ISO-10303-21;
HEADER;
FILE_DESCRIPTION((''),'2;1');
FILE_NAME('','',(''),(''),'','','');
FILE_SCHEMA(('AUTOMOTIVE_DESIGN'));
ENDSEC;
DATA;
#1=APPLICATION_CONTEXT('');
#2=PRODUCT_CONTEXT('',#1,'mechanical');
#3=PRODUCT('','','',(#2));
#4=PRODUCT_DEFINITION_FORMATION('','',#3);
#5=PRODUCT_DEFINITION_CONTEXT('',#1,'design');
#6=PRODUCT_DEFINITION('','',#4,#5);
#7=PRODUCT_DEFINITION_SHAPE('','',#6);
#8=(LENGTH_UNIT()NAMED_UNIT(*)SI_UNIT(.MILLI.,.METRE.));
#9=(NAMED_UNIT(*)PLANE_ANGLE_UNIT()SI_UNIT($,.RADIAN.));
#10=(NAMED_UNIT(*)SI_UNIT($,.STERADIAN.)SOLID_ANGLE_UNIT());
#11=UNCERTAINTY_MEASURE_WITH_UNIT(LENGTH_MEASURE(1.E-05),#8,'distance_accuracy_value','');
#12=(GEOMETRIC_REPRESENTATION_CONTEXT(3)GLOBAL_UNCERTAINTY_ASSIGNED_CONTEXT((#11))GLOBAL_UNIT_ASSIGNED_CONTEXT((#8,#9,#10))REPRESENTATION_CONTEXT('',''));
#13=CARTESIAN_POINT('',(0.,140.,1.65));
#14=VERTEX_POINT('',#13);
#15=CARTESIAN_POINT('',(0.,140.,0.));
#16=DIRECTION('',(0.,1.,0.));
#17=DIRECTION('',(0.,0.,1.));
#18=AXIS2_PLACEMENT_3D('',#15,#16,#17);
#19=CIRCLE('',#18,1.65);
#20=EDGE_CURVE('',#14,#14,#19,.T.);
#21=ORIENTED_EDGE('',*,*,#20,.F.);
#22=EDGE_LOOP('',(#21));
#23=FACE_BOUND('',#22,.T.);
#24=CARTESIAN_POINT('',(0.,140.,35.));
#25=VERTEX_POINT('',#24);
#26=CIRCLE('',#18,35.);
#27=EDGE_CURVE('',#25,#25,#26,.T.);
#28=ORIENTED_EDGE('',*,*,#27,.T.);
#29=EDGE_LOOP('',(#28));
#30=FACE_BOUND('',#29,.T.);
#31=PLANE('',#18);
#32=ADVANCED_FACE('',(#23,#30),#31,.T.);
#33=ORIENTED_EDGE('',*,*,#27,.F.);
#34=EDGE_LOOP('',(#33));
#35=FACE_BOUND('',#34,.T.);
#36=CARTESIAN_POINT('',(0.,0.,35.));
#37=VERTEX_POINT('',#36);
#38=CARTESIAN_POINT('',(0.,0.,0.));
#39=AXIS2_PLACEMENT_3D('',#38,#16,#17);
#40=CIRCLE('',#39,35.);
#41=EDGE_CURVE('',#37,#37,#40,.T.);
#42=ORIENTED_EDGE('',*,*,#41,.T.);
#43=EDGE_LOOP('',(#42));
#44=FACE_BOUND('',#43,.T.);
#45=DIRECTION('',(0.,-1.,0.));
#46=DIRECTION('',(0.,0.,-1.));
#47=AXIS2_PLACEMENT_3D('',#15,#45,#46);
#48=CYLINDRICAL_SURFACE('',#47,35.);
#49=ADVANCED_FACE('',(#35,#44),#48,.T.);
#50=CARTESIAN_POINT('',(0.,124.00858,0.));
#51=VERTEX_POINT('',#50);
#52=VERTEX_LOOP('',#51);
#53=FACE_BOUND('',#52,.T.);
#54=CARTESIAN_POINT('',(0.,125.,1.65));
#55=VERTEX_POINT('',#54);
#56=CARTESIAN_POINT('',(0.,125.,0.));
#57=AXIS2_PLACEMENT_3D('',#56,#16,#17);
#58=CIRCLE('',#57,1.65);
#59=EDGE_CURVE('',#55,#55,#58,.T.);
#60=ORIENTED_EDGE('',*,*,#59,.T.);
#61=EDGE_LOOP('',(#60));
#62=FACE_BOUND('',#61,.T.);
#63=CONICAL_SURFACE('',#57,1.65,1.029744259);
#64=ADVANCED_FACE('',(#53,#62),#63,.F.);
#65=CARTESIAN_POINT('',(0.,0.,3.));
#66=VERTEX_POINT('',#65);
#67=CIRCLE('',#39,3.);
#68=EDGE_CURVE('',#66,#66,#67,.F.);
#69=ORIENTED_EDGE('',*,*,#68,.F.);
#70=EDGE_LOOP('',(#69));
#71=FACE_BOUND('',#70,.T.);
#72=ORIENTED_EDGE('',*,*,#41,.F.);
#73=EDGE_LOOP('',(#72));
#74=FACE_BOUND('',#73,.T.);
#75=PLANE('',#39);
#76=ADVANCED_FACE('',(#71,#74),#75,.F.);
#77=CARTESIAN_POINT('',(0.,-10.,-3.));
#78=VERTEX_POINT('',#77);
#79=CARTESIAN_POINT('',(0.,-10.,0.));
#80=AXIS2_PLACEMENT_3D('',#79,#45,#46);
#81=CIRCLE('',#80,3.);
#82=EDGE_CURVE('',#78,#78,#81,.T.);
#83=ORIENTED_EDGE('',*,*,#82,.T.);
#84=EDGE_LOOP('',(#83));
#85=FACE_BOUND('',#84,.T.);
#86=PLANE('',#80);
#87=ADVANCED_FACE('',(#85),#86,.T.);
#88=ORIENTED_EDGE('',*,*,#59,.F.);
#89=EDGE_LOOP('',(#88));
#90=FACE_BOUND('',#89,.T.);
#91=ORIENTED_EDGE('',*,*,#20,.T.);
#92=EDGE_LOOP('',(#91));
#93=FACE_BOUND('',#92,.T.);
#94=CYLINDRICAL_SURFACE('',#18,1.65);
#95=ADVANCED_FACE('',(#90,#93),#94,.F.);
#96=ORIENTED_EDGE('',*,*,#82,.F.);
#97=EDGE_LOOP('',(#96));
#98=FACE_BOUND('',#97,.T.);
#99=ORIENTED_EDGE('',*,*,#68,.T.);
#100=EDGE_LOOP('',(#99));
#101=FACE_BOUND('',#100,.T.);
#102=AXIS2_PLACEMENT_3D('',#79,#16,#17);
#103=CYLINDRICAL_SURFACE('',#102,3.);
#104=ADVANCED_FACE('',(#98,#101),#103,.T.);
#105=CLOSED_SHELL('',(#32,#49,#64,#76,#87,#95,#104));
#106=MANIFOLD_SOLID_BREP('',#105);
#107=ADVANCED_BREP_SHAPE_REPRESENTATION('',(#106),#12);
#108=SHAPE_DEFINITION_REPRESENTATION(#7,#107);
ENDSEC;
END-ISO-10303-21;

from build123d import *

# Parameters (mm, degrees)
SKIZZE1_R                       = 35
AUFSATZ_LINEAR_AUSTRAGEN2_DEPTH = 140
AU_ENGEWINDE_R                  = 3
AUFSATZ_LINEAR_AUSTRAGEN4_DEPTH = 10
KERNLOCH_F_R_M4X0_71_D          = 3.3
KERNLOCH_F_R_M4X0_71_DEPTH      = 15
KERNLOCH_F_R_M4X0_71_TIP        = 0.991420021


with BuildPart() as part:
    # Skizze1 → Aufsatz-Linear austragen2 (new body)
    with BuildSketch(Plane(origin=(0, 0, 0), x_dir=(1, 0, 0), z_dir=(0, 1, 0))):
        with Locations(Location((0, 0, 0), (0, 0, 270))):
            Circle(SKIZZE1_R)
    extrude(amount=AUFSATZ_LINEAR_AUSTRAGEN2_DEPTH)

    # Außengewinde → Aufsatz-Linear austragen4 (add)
    with BuildSketch(Plane.XZ):
        with Locations(Location((0, 0, 0), (0, 0, 90))):
            Circle(AU_ENGEWINDE_R)
    extrude(amount=AUFSATZ_LINEAR_AUSTRAGEN4_DEPTH)

    # Kernloch für M4x0.71
    with Locations(Plane(origin=(0, 140, 0), x_dir=(1, 0, 0), z_dir=(0, 1, 0))):
        with Locations((0, 0)):
            Hole(KERNLOCH_F_R_M4X0_71_D / 2, depth=KERNLOCH_F_R_M4X0_71_DEPTH)
            with Locations((0, 0, -(KERNLOCH_F_R_M4X0_71_DEPTH + KERNLOCH_F_R_M4X0_71_TIP / 2))):  # 118° drill point
                Cone(0, KERNLOCH_F_R_M4X0_71_D / 2, KERNLOCH_F_R_M4X0_71_TIP, mode=Mode.SUBTRACT)


solid = part.part
